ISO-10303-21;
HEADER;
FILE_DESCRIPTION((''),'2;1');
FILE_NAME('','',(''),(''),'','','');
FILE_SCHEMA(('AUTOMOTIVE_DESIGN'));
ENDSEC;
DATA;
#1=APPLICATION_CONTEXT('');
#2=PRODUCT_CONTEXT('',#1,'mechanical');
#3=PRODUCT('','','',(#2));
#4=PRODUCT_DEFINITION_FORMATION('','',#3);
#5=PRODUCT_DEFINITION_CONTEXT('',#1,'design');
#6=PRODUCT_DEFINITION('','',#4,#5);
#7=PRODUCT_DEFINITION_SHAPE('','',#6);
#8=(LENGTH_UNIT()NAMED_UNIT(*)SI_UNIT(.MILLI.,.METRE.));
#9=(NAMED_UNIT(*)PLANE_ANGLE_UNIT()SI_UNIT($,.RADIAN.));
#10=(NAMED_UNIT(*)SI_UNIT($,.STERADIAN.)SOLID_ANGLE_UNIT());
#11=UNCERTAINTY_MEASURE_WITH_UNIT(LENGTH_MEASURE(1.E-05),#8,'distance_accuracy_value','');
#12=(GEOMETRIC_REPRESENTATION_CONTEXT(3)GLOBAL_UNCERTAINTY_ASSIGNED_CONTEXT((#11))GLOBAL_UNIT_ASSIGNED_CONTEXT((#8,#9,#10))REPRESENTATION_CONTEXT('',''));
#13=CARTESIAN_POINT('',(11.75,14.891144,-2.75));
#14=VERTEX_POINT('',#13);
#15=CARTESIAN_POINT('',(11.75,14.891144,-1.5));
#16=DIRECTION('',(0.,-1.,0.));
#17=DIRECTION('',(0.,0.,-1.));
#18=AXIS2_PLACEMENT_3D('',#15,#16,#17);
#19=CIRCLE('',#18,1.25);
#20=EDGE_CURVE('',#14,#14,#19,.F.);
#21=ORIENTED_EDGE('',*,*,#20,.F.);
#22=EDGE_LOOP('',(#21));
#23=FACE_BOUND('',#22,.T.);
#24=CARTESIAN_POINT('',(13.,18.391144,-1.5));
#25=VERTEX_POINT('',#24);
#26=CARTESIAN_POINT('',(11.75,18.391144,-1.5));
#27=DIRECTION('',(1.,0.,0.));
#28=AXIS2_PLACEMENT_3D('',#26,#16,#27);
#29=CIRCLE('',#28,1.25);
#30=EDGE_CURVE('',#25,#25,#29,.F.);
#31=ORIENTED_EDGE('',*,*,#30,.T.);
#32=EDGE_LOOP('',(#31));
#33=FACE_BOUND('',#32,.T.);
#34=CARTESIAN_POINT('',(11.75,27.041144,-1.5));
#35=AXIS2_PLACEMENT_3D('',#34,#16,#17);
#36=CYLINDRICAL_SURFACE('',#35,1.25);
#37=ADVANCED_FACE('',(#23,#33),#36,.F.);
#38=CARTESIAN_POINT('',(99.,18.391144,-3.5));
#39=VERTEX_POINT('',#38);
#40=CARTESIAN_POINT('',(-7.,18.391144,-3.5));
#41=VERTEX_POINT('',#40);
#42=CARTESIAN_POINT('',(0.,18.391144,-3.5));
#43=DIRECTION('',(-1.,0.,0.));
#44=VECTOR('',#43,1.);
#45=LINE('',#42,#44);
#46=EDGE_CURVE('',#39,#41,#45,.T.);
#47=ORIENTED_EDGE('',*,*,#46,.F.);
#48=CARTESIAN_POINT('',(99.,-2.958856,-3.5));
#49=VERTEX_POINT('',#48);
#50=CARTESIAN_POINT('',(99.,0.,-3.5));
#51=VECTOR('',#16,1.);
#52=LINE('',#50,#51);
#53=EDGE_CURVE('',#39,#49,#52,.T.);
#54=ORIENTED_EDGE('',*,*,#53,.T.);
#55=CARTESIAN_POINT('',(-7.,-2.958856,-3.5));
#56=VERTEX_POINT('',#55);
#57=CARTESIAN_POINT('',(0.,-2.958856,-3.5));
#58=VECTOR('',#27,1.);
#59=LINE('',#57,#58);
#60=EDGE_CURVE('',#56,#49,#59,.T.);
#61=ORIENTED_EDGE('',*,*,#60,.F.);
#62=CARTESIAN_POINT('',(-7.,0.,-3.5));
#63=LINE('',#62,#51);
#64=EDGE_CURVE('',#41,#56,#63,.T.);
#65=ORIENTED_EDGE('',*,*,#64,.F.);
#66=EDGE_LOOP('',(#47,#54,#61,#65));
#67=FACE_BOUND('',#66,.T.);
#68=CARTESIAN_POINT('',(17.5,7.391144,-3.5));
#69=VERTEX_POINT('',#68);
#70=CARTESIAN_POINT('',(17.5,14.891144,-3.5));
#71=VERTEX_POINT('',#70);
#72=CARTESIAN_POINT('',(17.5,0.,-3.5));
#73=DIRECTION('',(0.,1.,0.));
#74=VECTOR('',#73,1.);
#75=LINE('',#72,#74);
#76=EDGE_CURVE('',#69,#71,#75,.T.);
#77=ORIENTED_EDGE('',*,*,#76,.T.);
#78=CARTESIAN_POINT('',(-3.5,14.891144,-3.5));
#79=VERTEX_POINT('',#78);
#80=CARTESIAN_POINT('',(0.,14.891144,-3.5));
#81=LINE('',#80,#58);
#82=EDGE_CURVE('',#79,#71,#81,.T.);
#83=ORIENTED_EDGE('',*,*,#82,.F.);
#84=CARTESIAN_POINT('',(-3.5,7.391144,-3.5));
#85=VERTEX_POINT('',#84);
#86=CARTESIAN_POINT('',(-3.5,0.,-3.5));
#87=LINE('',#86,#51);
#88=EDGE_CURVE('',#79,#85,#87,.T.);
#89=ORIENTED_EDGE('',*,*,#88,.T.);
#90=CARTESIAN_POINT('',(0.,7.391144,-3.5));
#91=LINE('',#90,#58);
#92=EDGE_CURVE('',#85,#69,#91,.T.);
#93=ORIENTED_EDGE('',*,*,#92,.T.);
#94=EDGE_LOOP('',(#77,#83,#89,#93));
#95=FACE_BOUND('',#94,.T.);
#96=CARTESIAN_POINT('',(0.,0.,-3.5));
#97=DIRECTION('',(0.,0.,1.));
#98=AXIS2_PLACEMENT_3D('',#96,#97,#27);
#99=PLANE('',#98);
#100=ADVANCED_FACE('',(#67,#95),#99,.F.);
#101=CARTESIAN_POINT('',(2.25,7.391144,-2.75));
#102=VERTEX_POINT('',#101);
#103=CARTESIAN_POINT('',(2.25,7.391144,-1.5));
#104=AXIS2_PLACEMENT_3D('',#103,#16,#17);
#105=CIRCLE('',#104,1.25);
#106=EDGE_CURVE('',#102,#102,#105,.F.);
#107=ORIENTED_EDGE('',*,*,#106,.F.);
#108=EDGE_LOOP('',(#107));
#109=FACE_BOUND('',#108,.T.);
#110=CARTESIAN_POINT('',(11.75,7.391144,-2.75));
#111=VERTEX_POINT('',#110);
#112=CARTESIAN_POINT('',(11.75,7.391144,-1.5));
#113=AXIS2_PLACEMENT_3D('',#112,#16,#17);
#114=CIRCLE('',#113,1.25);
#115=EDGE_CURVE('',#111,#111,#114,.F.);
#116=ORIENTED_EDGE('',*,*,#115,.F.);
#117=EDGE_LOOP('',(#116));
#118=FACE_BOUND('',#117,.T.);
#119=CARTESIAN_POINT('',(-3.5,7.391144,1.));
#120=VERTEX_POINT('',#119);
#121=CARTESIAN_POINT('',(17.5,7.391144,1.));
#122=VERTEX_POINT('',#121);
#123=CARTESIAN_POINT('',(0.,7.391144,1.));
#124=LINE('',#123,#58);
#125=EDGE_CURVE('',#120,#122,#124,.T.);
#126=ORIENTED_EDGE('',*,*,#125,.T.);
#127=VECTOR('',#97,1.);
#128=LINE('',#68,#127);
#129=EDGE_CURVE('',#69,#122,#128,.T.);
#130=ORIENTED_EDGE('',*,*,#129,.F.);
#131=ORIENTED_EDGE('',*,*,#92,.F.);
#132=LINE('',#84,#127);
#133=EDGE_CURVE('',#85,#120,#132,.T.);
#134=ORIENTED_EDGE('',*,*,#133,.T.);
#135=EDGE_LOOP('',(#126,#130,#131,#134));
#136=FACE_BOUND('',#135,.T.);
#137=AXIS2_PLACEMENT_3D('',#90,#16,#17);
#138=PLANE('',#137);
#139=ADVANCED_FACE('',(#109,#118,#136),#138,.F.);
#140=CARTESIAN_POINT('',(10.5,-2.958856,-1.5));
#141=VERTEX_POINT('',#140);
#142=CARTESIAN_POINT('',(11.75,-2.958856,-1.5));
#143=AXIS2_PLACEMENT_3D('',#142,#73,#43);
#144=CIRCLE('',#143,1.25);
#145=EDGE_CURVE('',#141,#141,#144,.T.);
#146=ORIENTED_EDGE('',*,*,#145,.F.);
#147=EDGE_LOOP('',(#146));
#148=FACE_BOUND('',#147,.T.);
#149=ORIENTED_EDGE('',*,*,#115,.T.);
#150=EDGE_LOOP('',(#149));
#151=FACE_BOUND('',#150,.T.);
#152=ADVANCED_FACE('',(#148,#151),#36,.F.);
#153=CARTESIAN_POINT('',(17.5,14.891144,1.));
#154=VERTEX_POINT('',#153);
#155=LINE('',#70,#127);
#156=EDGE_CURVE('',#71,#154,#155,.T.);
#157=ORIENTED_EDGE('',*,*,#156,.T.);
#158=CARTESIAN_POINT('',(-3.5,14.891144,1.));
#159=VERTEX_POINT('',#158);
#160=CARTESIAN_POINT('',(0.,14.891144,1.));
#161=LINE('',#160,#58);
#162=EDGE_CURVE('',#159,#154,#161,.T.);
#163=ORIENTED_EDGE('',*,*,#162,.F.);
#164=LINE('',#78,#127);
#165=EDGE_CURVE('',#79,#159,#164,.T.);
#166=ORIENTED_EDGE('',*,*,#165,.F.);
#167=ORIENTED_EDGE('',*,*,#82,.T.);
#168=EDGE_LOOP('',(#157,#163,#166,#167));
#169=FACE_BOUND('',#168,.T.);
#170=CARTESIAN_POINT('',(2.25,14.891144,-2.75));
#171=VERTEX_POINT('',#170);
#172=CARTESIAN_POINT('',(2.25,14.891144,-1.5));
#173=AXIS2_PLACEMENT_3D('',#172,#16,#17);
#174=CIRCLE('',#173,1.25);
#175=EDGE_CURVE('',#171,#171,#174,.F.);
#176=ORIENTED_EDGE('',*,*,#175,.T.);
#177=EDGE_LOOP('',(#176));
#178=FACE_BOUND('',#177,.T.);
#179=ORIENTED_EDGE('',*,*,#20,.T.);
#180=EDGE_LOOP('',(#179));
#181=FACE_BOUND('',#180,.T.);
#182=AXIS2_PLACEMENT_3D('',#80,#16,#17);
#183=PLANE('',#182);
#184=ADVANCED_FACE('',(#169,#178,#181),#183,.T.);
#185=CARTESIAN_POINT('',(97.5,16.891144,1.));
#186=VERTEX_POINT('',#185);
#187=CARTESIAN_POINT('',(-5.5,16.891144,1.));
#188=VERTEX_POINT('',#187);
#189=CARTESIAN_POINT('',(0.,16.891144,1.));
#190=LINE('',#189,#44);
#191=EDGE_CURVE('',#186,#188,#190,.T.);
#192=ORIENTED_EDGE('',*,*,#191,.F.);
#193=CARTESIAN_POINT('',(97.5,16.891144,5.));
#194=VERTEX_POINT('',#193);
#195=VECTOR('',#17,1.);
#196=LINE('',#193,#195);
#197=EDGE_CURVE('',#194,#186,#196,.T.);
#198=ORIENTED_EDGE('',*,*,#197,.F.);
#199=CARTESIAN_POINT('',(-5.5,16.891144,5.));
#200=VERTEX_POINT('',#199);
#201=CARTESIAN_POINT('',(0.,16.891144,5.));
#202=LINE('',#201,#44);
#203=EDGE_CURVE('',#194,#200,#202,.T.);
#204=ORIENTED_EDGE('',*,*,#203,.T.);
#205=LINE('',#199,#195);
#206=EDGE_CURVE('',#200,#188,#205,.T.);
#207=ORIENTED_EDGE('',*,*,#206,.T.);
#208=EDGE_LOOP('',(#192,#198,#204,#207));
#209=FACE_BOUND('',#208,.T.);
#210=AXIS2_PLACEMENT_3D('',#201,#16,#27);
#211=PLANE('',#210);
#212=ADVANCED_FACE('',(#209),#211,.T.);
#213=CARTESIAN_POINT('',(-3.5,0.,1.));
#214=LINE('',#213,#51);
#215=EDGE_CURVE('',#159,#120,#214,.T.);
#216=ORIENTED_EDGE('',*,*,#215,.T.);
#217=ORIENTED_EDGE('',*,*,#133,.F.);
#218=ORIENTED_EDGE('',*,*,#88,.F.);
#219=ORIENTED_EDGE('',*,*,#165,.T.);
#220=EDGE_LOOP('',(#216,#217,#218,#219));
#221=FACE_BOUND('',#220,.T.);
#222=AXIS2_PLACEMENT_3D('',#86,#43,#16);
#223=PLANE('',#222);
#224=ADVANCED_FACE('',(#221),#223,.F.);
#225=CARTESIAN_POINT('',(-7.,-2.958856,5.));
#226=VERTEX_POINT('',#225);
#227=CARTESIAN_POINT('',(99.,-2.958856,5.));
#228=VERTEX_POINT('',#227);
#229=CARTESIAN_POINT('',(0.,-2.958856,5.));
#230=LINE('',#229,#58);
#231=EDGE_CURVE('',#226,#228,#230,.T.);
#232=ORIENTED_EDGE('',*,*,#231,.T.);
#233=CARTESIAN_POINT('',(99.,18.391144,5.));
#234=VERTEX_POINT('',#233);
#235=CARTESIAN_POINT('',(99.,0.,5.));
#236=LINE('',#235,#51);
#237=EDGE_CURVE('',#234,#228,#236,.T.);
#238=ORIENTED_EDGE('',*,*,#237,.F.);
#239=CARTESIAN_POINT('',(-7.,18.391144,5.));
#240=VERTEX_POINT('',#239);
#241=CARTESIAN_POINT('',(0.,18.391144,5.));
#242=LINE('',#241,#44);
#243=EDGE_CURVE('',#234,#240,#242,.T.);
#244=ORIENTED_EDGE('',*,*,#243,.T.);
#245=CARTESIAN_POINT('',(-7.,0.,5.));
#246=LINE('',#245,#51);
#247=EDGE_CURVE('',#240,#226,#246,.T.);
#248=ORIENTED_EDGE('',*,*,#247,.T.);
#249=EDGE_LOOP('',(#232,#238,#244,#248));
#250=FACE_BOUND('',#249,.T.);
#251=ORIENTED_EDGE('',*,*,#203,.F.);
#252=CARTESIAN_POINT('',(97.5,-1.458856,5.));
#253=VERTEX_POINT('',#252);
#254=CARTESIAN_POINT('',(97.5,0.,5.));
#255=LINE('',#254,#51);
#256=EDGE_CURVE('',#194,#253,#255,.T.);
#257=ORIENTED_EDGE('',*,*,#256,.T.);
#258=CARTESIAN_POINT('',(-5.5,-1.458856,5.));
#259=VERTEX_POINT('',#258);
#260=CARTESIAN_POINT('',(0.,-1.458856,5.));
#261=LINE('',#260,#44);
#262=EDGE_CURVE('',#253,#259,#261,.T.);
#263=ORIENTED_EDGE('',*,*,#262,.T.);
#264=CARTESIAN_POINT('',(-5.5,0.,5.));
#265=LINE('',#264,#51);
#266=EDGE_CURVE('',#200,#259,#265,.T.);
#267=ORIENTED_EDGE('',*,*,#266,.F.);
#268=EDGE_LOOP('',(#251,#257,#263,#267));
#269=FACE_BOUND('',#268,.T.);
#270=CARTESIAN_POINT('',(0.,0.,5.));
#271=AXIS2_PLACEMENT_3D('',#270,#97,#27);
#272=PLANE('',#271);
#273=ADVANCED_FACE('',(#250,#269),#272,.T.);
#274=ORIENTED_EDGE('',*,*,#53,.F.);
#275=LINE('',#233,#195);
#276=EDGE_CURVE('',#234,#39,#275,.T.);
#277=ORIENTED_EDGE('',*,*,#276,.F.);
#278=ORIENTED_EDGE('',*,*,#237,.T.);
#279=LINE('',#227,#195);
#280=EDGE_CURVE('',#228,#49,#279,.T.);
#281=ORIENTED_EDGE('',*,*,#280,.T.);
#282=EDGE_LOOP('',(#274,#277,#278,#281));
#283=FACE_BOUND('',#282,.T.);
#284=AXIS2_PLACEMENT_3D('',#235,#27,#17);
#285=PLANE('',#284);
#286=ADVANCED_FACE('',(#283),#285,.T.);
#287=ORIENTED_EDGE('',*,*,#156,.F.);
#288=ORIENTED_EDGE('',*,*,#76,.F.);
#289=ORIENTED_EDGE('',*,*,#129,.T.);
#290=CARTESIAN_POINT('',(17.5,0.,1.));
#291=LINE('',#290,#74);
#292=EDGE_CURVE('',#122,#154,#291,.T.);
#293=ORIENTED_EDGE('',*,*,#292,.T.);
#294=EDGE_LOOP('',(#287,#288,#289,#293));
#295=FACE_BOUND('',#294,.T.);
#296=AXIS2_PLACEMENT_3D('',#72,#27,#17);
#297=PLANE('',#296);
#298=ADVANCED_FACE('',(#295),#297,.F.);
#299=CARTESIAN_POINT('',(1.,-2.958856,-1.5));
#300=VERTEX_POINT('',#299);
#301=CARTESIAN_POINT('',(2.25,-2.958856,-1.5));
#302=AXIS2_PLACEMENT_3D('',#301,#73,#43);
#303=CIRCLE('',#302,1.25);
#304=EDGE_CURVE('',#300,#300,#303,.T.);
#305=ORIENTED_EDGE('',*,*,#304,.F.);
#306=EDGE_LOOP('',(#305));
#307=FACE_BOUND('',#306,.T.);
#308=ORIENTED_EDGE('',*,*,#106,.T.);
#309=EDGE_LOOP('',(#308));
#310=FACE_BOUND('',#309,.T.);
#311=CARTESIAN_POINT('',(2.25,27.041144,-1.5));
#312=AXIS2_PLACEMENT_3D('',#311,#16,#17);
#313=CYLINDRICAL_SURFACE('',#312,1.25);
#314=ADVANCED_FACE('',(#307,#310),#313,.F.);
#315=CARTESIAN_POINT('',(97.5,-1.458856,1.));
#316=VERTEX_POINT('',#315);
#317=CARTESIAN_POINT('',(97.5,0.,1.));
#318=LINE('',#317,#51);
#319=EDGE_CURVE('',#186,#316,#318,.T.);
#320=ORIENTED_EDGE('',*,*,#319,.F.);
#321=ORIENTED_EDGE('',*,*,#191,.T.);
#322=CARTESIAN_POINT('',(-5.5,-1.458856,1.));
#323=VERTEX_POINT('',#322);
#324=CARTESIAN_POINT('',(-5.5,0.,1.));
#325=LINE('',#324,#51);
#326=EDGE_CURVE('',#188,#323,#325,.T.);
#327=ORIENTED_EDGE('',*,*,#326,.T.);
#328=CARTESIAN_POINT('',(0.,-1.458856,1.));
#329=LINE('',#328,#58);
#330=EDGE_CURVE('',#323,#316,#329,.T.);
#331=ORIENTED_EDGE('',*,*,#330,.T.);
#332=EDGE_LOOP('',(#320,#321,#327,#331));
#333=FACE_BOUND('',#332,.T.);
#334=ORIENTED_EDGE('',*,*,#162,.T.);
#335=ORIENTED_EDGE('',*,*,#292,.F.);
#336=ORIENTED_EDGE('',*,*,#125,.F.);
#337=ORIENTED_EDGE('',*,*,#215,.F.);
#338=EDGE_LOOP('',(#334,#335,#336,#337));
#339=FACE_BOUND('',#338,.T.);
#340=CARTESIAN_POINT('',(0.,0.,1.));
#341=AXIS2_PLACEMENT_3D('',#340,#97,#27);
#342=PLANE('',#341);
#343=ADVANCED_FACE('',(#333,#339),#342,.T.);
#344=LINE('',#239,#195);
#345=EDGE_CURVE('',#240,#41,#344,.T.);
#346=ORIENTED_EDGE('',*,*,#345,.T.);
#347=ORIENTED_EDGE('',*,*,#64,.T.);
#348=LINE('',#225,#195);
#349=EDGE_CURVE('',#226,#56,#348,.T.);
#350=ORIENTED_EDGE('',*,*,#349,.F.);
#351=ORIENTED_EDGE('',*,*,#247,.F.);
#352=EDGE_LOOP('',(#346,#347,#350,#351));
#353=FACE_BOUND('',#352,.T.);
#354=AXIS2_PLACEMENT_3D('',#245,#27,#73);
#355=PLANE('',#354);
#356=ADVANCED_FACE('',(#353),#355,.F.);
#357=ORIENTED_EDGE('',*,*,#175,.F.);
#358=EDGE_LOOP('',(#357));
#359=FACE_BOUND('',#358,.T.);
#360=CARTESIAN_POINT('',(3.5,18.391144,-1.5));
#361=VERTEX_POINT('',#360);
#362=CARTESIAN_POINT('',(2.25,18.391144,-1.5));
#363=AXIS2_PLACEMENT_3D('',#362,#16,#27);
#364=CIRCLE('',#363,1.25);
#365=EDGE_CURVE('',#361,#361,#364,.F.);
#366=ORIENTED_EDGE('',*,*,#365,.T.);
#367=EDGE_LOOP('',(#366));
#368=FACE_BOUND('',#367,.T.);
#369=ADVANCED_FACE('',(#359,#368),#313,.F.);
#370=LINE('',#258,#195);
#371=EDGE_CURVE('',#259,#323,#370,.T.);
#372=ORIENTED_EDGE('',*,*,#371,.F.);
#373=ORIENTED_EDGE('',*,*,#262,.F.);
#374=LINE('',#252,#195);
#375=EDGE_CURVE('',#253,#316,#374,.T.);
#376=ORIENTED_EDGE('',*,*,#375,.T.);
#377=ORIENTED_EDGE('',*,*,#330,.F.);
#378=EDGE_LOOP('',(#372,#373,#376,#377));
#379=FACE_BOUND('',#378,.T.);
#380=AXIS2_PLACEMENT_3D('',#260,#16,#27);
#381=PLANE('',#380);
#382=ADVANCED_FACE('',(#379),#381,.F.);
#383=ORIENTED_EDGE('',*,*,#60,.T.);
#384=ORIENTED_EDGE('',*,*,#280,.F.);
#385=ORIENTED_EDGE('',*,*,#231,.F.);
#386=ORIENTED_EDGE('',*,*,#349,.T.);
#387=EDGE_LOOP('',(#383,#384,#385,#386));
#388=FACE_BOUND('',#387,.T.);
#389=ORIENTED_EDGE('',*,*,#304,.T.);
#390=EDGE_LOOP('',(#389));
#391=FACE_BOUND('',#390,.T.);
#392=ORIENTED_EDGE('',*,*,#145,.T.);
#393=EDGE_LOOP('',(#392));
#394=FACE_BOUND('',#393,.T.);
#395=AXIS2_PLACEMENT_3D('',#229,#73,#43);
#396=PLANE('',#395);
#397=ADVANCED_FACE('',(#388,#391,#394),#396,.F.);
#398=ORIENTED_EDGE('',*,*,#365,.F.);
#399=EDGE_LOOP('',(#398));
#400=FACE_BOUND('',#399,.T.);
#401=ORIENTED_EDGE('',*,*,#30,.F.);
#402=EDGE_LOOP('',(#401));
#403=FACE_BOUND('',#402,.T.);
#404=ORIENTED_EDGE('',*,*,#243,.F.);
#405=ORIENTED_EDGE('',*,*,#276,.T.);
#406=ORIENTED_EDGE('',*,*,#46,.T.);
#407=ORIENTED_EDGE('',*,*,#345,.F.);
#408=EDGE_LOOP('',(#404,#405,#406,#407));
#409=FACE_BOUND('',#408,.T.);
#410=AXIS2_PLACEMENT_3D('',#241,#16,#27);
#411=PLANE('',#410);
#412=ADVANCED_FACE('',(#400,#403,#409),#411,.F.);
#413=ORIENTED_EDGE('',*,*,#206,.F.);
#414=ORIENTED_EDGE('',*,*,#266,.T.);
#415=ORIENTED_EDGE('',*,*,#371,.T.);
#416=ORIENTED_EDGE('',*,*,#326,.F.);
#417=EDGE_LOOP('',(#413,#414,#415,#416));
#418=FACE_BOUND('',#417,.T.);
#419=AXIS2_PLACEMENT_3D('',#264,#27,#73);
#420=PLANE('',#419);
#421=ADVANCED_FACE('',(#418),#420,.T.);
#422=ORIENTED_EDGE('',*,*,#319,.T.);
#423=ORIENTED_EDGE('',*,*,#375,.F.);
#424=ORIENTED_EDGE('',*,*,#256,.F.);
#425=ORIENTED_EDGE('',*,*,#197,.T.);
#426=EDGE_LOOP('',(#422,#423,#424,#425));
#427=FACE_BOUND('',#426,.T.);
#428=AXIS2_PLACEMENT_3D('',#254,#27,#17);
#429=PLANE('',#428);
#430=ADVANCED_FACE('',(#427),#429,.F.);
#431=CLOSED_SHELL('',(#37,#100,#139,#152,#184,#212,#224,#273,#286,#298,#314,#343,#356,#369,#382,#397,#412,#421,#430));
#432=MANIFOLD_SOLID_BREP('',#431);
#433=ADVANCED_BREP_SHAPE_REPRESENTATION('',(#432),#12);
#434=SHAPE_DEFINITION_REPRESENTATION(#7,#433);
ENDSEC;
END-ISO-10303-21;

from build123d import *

# Parameters (mm, degrees)
RESSALTO_EXTRUS_O1_DEPTH = 5
ESBO_O1_4_W              = 106
ESBO_O1_4_H              = 21.35
ESBO_O1_4_W_2            = 21
ESBO_O1_4_H_2            = 7.5
RESSALTO_EXTRUS_O2_DEPTH = 3.5
CORTE_EXTRUS_O10_START   = -2.958856
ESBO_O3_R                = 1.25
CORTE_EXTRUS_O10_DEPTH   = 30
RESSALTO_EXTRUS_O4_DEPTH = 1


with BuildPart() as part:
    # Esboço1 → Ressalto-extrusão1 (new body)
    with BuildSketch(Plane.XY):
        Polygon((86, -2.958856089), (99, -2.958856089), (99, 18.391143911), (86, 18.391143911), (-7, 18.391143911), (-7, -2.958856089), align=None)
        Polygon((-5.5, 9.388435505), (-5.5, 16.891143911), (-3.5, 16.891143911), (17.5, 16.891143911), (87.5, 16.891143911), (97.5, 16.891143911), (97.5, -1.458856089), (87.5, -1.458856089), (-5.5, -1.458856089), align=None, mode=Mode.SUBTRACT)
    extrude(amount=RESSALTO_EXTRUS_O1_DEPTH)

    # Esboço1<4> → Ressalto-extrusão2 (add)
    with BuildSketch(Plane.XY):
        with Locations((46, 7.716143911)):
            Rectangle(ESBO_O1_4_W, ESBO_O1_4_H)
        with Locations((7, 11.141143911)):
            Rectangle(ESBO_O1_4_W_2, ESBO_O1_4_H_2, mode=Mode.SUBTRACT)
    extrude(amount=-RESSALTO_EXTRUS_O2_DEPTH)

    # Esboço3 → Corte-extrusão10 (cut)
    with BuildSketch(Plane(origin=(0, 0, 0), x_dir=(1, 0, 0), z_dir=(0, 1, 0)).offset(CORTE_EXTRUS_O10_START)):
        with Locations((2.25, 1.5)):
            Circle(ESBO_O3_R)
        with Locations((11.75, 1.5)):
            Circle(ESBO_O3_R)
    extrude(amount=CORTE_EXTRUS_O10_DEPTH, mode=Mode.SUBTRACT)

    # Esboço1<7> → Ressalto-extrusão4 (add)
    with BuildSketch(Plane.XY):
        Polygon((-3.5, 16.891143911), (-5.5, 16.891143911), (-5.5, 9.388435505), (-5.5, -1.458856089), (87.5, -1.458856089), (97.5, -1.458856089), (97.5, 16.891143911), (87.5, 16.891143911), (17.5, 16.891143911), align=None)
        Polygon((88, -0.958856089), (-5, -0.958856089), (-5, 16.391143911), (88, 16.391143911), (97, 16.391143911), (97, -0.958856089), align=None, mode=Mode.SUBTRACT)
        Polygon((97, -0.958856089), (88, -0.958856089), (-5, -0.958856089), (-5, 16.391143911), (88, 16.391143911), (97, 16.391143911), align=None)
        Polygon((17.5, 7.391143911), (17.5, 9.388435505), (17.5, 14.891143911), (-3.5, 14.891143911), (-3.5, 7.391143911), align=None, mode=Mode.SUBTRACT)
    extrude(amount=RESSALTO_EXTRUS_O4_DEPTH)


solid = part.part
